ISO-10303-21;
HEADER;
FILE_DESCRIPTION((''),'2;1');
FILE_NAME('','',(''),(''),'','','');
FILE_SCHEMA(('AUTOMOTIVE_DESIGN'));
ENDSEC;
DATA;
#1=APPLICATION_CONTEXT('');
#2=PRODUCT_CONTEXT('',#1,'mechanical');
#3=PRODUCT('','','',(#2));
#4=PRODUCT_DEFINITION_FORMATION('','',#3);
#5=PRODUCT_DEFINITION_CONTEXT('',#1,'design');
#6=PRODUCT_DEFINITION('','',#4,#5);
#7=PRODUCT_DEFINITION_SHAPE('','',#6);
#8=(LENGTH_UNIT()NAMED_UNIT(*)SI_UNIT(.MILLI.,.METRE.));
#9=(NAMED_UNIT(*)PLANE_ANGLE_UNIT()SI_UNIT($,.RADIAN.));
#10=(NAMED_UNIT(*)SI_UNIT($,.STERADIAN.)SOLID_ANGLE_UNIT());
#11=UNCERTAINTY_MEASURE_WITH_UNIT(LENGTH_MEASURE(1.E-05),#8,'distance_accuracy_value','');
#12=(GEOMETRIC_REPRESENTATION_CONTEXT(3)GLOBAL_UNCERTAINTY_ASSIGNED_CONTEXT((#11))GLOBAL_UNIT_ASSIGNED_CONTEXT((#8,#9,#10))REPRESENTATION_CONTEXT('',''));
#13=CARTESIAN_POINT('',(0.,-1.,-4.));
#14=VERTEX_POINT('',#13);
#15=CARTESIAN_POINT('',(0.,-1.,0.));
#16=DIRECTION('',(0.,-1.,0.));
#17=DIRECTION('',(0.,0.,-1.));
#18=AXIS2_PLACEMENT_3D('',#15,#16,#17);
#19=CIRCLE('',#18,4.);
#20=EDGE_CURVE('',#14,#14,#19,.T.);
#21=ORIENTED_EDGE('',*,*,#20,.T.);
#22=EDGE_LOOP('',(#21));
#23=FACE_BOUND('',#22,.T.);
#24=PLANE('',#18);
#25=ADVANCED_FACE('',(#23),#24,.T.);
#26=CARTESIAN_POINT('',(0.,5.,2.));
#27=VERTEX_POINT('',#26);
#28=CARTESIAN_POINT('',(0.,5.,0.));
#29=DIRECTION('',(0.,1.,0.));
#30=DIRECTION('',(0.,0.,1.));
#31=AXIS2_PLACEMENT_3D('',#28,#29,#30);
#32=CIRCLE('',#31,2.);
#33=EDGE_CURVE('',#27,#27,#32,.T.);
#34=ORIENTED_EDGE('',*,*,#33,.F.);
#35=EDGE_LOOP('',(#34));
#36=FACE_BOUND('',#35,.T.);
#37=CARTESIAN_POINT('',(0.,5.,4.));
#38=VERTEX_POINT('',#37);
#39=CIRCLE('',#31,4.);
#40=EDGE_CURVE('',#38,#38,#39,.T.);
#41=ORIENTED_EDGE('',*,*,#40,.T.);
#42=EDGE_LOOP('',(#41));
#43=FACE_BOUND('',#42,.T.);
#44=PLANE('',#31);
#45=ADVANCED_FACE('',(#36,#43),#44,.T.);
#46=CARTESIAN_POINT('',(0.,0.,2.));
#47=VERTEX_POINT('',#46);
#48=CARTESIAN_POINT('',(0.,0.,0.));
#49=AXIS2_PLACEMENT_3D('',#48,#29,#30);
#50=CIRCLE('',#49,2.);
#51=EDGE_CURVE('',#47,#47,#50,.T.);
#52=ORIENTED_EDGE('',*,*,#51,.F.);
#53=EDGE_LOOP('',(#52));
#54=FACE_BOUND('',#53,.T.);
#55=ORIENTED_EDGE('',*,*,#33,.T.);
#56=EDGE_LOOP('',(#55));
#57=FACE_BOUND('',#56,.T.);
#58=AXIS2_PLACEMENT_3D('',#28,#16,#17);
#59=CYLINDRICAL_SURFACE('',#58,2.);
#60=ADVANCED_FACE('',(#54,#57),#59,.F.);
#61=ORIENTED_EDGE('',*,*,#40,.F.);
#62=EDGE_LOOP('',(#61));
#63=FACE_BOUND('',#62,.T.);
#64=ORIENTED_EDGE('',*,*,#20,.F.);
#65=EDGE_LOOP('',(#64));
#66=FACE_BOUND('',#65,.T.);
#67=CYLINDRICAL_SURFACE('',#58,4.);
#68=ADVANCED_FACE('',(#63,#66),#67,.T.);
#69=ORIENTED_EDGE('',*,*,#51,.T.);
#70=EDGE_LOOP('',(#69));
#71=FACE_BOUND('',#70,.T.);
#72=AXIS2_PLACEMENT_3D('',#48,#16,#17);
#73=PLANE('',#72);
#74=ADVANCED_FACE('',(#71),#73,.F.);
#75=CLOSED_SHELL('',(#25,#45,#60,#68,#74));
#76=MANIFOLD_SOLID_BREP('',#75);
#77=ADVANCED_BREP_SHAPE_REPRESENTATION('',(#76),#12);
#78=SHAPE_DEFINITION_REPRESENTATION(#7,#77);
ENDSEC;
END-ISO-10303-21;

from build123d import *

# Parameters (mm, degrees)
SKETCH1_R           = 4
SKETCH1_R_2         = 2
BOSS_EXTRUDE1_DEPTH = 5
BOSS_EXTRUDE2_START = 1
SKETCH3_R           = 4
BOSS_EXTRUDE2_DEPTH = 1


with BuildPart() as part:
    # Sketch1 → Boss-Extrude1 (new body)
    with BuildSketch(Plane(origin=(0, 0, 0), x_dir=(1, 0, 0), z_dir=(0, 1, 0))):
        with Locations(Location((0, 0, 0), (0, 0, 270))):
            Circle(SKETCH1_R)
        with Locations(Location((0, 0, 0), (0, 0, 270))):
            Circle(SKETCH1_R_2, mode=Mode.SUBTRACT)
    extrude(amount=BOSS_EXTRUDE1_DEPTH)

    # Sketch3 → Boss-Extrude2 (add)
    with BuildSketch(Plane.XZ.offset(BOSS_EXTRUDE2_START)):
        with Locations(Location((0, 0, 0), (0, 0, 270))):
            Circle(SKETCH3_R)
    extrude(amount=-BOSS_EXTRUDE2_DEPTH)


solid = part.part
